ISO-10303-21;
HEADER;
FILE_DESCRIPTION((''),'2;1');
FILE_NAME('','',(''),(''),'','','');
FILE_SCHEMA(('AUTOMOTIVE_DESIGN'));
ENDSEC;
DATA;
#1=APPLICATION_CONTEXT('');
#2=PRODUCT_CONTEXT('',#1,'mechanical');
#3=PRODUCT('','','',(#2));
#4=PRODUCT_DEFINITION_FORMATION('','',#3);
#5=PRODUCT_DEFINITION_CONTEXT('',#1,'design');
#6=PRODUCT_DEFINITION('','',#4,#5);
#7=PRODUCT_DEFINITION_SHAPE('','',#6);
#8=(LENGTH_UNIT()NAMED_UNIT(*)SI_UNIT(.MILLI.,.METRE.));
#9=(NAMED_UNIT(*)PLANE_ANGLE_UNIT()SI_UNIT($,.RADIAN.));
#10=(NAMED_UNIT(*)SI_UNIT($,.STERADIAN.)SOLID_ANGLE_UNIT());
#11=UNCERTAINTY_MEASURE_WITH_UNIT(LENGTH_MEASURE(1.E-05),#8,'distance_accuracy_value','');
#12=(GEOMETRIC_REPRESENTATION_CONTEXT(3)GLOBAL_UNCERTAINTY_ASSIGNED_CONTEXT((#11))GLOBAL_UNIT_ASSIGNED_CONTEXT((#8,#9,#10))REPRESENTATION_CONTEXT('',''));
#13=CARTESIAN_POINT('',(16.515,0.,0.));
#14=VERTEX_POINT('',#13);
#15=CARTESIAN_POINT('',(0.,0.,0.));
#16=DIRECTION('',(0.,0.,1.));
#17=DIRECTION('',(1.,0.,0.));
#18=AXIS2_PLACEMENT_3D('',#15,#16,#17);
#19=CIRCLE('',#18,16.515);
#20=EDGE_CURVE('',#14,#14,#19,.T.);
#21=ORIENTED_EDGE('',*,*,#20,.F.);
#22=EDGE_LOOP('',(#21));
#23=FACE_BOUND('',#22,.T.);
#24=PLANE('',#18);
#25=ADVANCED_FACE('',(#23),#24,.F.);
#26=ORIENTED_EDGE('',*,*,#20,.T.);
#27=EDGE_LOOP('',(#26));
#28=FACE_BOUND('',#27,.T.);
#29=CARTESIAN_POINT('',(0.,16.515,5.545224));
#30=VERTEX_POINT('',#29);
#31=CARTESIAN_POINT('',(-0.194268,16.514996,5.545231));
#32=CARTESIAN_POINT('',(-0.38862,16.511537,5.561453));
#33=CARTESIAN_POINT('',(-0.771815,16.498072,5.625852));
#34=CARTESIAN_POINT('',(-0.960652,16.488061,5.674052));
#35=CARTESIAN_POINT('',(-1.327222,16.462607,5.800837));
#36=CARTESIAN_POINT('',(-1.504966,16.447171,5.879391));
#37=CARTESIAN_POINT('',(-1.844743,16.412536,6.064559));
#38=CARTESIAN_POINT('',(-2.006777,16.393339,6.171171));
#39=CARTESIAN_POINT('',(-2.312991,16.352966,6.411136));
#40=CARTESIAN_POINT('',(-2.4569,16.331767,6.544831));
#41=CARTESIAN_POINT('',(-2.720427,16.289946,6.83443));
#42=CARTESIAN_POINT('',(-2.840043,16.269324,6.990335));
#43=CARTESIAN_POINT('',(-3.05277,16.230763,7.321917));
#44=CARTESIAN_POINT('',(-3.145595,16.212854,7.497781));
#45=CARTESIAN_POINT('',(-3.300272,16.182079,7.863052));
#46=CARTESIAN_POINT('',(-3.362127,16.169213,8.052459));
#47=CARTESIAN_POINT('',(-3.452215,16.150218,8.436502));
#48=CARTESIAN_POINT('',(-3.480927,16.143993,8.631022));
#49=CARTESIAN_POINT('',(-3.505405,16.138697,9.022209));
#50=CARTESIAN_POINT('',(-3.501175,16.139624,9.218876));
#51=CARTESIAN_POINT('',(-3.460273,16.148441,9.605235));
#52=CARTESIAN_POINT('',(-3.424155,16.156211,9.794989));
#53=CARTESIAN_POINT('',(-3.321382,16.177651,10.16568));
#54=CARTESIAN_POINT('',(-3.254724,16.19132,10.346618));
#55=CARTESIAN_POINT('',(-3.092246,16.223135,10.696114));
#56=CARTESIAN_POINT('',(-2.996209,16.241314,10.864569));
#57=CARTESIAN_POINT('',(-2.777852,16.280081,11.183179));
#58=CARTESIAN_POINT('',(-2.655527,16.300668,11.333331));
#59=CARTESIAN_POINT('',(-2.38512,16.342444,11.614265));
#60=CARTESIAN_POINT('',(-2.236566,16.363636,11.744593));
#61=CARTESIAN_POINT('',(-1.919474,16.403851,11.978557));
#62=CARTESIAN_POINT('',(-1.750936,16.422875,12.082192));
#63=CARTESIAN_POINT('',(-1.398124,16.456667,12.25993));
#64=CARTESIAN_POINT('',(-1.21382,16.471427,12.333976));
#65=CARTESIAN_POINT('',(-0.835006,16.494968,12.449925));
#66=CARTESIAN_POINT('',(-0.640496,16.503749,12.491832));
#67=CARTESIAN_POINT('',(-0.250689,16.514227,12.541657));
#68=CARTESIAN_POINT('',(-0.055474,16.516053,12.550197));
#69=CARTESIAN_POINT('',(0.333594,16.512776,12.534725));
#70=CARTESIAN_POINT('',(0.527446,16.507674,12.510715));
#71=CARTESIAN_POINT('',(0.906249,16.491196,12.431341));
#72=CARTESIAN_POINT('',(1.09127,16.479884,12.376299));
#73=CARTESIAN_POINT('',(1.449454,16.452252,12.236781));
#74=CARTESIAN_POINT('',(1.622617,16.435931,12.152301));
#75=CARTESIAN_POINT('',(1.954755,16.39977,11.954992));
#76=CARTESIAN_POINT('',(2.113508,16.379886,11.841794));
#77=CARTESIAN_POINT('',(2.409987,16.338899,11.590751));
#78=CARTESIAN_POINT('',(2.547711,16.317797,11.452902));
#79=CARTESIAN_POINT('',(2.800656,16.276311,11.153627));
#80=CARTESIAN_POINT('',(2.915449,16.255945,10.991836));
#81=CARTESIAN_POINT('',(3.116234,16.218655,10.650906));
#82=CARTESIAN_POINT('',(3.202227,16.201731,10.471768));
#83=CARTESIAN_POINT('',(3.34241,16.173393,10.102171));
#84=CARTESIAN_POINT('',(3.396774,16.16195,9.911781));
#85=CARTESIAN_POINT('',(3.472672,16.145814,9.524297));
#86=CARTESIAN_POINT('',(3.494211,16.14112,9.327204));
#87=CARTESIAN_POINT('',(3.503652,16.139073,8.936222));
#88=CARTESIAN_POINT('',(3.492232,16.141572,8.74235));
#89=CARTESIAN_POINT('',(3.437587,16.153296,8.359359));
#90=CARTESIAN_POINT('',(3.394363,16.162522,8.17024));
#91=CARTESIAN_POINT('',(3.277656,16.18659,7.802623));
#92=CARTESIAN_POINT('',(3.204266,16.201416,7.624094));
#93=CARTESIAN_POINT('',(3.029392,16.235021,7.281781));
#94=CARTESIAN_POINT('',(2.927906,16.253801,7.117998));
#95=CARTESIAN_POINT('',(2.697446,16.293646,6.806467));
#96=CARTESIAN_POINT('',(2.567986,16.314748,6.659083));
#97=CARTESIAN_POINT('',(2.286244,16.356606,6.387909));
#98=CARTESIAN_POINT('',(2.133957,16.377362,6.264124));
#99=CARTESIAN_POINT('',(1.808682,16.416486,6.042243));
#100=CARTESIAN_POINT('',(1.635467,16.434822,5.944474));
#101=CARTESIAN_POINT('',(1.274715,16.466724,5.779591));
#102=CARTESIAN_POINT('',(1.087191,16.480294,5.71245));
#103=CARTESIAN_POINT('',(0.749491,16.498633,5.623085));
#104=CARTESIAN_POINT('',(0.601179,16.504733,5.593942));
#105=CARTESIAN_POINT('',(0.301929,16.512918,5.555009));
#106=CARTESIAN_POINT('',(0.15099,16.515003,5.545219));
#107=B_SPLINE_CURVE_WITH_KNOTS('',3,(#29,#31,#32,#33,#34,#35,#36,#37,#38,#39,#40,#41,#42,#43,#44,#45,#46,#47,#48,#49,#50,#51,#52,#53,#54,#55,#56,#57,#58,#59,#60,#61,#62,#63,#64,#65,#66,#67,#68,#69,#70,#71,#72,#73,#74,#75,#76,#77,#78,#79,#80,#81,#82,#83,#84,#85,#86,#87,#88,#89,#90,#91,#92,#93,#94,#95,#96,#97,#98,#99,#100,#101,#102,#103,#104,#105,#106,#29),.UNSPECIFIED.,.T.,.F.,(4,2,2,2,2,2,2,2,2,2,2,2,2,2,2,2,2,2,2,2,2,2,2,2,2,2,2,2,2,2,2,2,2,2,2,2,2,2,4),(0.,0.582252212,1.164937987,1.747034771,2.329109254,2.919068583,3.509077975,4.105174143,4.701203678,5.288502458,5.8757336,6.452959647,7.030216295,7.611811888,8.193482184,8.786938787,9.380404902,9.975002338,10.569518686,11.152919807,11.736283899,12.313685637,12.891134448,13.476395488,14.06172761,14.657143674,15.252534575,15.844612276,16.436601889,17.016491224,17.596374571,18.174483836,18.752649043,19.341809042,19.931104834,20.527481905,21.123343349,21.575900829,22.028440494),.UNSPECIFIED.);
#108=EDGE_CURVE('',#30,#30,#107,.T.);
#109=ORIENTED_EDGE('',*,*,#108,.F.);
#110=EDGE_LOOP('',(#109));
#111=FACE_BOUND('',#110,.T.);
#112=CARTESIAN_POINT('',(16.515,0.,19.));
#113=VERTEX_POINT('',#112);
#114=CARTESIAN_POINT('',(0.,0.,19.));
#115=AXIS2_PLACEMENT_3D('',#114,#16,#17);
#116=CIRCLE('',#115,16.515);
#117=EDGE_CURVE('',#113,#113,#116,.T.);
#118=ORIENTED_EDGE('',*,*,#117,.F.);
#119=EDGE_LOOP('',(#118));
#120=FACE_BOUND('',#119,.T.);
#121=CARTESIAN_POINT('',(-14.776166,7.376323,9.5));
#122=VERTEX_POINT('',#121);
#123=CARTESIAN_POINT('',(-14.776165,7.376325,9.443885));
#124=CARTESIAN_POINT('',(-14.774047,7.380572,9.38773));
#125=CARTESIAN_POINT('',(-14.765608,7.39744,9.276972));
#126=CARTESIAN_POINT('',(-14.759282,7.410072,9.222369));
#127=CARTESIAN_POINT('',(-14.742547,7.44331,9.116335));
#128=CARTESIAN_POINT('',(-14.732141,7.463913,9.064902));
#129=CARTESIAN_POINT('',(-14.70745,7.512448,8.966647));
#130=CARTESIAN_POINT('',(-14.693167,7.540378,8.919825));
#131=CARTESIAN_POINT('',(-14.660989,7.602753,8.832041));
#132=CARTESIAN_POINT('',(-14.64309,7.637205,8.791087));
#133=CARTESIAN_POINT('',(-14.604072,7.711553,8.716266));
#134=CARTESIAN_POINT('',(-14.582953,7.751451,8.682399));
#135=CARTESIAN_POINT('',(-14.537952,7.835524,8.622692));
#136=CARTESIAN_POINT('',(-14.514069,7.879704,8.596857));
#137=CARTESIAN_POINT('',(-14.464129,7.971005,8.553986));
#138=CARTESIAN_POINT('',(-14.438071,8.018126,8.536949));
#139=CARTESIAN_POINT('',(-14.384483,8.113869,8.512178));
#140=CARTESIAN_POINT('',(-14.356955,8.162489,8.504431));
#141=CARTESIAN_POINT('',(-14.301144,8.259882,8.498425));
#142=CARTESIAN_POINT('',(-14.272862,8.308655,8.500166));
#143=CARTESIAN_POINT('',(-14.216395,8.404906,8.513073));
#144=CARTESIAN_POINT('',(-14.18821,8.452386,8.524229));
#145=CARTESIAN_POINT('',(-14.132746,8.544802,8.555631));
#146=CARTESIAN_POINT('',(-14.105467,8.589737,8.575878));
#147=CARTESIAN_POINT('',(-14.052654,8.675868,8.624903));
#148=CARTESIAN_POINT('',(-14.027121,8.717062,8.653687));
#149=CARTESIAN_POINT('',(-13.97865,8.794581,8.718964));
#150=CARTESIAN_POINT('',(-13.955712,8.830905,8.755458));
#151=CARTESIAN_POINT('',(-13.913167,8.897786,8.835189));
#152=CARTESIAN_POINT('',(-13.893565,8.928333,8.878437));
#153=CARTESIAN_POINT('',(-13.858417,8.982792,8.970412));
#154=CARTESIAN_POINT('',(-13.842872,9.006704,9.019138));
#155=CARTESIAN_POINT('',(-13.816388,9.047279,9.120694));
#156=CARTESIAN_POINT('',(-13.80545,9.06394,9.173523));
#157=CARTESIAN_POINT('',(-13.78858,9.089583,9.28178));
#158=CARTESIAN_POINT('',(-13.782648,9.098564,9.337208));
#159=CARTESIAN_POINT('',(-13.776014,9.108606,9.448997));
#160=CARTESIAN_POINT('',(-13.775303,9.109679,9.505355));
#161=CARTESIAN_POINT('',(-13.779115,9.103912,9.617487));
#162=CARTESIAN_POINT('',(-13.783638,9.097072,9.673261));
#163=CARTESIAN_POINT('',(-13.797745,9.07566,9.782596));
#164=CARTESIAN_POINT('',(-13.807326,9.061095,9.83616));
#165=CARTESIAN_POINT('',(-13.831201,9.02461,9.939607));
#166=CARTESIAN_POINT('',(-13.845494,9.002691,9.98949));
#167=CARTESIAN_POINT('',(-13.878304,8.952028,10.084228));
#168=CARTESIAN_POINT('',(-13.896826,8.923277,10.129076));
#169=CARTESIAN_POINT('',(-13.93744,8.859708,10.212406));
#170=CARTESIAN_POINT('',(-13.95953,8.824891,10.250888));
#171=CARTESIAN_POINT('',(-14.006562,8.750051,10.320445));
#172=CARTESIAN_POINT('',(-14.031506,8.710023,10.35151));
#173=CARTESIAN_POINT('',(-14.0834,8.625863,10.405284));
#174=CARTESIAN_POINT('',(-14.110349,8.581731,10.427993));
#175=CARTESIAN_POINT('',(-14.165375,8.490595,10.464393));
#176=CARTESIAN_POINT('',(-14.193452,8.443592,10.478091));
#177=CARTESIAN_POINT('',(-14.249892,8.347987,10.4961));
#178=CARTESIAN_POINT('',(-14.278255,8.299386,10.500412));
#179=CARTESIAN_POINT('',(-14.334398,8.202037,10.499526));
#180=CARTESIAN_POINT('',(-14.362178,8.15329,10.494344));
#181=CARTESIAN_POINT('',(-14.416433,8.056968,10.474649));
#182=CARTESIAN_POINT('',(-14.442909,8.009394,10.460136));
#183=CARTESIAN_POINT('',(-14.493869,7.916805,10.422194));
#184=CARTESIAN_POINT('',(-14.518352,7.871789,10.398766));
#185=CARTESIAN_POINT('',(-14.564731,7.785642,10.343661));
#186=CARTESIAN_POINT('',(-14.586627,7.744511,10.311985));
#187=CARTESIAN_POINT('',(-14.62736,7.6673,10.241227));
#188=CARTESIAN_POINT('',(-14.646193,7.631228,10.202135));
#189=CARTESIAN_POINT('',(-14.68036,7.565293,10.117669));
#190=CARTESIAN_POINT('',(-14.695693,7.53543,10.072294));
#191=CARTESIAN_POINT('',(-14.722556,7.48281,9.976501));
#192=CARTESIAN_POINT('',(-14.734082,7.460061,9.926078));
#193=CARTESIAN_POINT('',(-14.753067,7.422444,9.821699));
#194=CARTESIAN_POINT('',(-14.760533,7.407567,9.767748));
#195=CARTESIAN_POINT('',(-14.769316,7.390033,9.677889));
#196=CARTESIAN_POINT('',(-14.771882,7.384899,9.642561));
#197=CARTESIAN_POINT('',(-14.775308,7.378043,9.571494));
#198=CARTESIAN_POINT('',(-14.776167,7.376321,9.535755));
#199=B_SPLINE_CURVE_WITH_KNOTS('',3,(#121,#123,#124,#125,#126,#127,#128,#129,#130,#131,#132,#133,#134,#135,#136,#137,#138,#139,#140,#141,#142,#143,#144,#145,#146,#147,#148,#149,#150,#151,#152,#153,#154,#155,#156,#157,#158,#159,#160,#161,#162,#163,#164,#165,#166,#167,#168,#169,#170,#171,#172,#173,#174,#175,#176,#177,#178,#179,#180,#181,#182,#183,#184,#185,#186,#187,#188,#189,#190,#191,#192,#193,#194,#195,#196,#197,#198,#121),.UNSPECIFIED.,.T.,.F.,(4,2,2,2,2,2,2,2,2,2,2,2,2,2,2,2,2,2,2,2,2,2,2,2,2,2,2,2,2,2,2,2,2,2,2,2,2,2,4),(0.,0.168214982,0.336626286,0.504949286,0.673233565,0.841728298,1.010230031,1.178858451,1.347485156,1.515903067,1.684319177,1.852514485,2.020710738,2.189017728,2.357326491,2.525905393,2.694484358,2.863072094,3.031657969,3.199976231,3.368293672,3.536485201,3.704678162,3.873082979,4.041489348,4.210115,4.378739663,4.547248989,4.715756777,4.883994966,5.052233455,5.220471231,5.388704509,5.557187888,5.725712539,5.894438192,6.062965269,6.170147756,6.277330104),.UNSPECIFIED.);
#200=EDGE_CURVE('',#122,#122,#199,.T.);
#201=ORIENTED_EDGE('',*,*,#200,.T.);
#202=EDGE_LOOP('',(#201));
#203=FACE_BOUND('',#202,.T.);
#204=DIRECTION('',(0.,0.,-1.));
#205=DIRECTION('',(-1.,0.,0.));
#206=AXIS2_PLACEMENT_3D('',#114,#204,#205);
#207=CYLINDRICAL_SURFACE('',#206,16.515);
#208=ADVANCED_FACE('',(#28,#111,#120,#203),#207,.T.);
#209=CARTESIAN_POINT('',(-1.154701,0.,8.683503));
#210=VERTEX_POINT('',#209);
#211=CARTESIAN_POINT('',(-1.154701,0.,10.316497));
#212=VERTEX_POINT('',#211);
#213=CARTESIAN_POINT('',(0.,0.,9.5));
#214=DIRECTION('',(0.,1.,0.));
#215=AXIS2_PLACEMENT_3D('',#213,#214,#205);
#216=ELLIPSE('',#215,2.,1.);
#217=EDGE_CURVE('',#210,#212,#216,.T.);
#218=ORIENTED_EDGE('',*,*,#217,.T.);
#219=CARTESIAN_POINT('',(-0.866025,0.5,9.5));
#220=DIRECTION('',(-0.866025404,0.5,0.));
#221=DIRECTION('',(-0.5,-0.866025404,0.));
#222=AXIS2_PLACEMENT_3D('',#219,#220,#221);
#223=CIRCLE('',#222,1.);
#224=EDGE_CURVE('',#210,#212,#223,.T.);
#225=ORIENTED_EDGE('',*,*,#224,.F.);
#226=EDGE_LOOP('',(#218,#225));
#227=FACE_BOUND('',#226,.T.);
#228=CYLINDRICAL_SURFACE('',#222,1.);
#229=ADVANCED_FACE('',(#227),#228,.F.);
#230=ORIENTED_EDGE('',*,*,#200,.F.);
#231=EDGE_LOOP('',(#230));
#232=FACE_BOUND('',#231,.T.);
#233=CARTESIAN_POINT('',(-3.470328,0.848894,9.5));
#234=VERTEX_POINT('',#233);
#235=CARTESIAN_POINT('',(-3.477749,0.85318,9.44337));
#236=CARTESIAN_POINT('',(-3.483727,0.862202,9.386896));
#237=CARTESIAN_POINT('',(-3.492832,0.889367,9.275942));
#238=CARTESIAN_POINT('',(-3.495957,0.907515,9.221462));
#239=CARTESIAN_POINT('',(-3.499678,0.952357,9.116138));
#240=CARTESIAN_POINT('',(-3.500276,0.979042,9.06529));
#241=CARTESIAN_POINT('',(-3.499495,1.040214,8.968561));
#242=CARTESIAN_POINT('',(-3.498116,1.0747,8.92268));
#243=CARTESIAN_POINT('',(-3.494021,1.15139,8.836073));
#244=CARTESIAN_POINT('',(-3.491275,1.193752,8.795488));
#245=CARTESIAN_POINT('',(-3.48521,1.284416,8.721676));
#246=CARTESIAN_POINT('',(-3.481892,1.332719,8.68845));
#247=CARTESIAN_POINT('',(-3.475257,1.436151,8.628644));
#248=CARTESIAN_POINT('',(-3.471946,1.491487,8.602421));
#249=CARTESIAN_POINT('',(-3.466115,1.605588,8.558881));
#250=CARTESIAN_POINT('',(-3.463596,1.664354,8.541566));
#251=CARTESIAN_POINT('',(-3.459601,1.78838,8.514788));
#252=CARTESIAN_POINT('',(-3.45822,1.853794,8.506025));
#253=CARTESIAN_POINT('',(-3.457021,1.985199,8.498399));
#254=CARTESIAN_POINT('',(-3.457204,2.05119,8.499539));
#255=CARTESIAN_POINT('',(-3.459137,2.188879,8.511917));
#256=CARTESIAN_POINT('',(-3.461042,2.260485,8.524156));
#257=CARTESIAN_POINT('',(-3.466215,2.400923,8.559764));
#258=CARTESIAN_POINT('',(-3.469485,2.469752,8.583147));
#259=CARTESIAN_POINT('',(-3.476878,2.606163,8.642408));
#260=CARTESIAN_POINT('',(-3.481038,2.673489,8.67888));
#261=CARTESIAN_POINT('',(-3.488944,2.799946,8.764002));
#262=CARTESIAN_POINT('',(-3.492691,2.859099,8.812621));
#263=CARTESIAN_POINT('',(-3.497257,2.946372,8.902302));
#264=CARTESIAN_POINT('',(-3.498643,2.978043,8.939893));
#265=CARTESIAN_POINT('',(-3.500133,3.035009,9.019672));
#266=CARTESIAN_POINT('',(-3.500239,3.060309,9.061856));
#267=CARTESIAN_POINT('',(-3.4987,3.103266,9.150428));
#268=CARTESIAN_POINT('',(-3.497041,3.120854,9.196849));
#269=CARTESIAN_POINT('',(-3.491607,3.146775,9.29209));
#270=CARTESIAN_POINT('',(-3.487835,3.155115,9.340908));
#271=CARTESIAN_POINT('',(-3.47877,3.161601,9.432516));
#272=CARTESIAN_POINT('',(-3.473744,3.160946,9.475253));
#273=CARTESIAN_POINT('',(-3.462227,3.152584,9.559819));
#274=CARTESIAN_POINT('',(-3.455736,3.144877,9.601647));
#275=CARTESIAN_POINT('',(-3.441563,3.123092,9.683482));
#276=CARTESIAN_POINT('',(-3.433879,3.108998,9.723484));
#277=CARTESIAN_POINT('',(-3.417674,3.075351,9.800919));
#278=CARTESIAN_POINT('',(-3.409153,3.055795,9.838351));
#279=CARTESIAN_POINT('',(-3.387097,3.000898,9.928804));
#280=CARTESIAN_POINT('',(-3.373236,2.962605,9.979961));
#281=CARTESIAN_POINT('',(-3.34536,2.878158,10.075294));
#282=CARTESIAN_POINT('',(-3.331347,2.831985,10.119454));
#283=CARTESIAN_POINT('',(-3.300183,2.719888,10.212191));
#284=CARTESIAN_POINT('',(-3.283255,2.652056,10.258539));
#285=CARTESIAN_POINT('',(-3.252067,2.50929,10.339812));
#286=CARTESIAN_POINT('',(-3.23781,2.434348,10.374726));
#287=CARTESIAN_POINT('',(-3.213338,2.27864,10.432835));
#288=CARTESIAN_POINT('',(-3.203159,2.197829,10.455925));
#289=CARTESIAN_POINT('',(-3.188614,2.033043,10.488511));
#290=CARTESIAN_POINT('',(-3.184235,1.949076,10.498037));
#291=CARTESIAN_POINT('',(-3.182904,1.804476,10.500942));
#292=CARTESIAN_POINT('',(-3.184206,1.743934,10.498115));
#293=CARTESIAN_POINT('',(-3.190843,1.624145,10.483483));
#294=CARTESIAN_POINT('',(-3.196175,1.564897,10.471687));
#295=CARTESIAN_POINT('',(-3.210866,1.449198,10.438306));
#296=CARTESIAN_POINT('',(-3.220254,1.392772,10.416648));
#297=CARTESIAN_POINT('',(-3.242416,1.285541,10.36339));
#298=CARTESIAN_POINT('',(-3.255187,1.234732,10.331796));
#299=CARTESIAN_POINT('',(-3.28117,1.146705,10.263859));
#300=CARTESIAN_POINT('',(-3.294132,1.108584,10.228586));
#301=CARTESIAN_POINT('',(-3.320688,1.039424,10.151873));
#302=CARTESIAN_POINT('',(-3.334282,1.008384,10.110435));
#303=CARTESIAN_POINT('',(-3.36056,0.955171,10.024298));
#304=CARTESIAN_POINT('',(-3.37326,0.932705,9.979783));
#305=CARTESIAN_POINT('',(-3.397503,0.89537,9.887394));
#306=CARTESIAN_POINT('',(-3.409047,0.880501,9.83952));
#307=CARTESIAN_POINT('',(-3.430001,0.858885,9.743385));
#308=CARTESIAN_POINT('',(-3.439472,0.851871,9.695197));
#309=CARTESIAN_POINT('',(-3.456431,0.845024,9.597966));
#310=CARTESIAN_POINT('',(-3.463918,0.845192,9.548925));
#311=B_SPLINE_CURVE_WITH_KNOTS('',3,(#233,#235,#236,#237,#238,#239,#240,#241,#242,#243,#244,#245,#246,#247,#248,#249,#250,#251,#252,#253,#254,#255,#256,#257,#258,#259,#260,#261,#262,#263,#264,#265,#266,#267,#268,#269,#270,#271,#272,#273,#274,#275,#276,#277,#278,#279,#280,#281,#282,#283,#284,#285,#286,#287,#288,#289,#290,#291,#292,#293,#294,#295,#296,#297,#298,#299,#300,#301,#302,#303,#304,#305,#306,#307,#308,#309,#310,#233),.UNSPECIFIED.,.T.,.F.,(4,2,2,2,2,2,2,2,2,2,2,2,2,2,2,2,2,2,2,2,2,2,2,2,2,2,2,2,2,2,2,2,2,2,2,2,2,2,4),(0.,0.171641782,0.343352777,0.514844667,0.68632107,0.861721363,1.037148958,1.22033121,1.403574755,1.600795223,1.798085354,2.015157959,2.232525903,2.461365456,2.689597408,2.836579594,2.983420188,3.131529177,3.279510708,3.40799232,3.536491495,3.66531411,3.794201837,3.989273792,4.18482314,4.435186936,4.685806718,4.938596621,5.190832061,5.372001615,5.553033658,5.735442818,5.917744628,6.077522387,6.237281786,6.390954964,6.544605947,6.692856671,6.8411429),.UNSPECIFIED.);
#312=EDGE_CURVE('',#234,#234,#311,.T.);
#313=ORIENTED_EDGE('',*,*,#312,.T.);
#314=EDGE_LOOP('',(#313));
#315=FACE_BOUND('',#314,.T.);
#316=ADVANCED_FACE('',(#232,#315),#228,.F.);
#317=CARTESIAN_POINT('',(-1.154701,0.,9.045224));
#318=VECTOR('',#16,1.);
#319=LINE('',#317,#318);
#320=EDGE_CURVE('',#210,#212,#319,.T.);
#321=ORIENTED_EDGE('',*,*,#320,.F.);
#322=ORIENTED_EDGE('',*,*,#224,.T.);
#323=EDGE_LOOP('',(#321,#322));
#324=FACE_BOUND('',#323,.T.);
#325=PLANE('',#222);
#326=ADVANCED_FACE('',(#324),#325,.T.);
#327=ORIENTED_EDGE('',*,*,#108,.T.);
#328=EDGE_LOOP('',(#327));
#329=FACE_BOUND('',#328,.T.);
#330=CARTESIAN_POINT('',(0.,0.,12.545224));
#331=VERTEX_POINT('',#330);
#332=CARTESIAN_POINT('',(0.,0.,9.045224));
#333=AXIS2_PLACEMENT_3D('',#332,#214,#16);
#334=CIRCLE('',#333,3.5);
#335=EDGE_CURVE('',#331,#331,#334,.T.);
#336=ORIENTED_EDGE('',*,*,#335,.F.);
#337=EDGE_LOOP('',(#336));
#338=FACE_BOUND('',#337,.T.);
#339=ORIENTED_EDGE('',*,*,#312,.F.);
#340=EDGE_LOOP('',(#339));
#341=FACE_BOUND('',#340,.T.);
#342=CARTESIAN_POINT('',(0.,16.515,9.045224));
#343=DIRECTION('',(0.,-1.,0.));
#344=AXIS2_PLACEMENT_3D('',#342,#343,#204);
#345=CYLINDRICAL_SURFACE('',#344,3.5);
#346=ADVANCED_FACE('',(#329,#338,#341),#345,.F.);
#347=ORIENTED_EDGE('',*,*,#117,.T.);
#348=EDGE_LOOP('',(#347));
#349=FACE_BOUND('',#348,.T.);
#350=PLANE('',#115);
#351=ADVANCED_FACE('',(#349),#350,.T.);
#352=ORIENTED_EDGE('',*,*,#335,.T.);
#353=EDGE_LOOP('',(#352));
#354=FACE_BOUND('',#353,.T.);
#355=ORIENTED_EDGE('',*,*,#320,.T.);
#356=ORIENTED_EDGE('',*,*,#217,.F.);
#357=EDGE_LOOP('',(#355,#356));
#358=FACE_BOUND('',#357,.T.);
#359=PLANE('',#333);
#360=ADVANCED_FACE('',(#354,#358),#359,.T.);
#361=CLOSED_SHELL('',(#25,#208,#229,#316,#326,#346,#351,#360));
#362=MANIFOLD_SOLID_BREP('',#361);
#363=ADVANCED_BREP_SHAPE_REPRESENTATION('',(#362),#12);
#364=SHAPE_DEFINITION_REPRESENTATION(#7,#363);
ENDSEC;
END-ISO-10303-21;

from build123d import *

# Parameters (mm, degrees)
SKETCH1_R           = 16.515
BOSS_EXTRUDE1_DEPTH = 19
SKETCH2_R           = 3.5
CUT_EXTRUDE1_DEPTH  = 31.107979839
SKETCH4_R           = 1
CUT_EXTRUDE2_DEPTH  = 19


with BuildPart() as part:
    # Sketch1 → Boss-Extrude1 (new body)
    with BuildSketch(Plane.XY):
        Circle(SKETCH1_R)
    extrude(amount=BOSS_EXTRUDE1_DEPTH)

    # Sketch2 → Cut-Extrude1 (cut, through all)
    with BuildSketch(Plane(origin=(0, 0, 0), x_dir=(1, 0, 0), z_dir=(0, 1, 0))):
        with Locations((0, -9.045224282)):
            Circle(SKETCH2_R)
    extrude(amount=CUT_EXTRUDE1_DEPTH, mode=Mode.SUBTRACT)

    # Sketch4 → Cut-Extrude2 (cut)
    with BuildSketch(Plane(origin=(-17.320508076, 10, 0), x_dir=(0, 0, 1), z_dir=(-0.86602540378444, 0.49999999999999784, 0))):
        with Locations((9.5, 0)):
            Circle(SKETCH4_R)
    extrude(amount=-CUT_EXTRUDE2_DEPTH, mode=Mode.SUBTRACT)


solid = part.part
